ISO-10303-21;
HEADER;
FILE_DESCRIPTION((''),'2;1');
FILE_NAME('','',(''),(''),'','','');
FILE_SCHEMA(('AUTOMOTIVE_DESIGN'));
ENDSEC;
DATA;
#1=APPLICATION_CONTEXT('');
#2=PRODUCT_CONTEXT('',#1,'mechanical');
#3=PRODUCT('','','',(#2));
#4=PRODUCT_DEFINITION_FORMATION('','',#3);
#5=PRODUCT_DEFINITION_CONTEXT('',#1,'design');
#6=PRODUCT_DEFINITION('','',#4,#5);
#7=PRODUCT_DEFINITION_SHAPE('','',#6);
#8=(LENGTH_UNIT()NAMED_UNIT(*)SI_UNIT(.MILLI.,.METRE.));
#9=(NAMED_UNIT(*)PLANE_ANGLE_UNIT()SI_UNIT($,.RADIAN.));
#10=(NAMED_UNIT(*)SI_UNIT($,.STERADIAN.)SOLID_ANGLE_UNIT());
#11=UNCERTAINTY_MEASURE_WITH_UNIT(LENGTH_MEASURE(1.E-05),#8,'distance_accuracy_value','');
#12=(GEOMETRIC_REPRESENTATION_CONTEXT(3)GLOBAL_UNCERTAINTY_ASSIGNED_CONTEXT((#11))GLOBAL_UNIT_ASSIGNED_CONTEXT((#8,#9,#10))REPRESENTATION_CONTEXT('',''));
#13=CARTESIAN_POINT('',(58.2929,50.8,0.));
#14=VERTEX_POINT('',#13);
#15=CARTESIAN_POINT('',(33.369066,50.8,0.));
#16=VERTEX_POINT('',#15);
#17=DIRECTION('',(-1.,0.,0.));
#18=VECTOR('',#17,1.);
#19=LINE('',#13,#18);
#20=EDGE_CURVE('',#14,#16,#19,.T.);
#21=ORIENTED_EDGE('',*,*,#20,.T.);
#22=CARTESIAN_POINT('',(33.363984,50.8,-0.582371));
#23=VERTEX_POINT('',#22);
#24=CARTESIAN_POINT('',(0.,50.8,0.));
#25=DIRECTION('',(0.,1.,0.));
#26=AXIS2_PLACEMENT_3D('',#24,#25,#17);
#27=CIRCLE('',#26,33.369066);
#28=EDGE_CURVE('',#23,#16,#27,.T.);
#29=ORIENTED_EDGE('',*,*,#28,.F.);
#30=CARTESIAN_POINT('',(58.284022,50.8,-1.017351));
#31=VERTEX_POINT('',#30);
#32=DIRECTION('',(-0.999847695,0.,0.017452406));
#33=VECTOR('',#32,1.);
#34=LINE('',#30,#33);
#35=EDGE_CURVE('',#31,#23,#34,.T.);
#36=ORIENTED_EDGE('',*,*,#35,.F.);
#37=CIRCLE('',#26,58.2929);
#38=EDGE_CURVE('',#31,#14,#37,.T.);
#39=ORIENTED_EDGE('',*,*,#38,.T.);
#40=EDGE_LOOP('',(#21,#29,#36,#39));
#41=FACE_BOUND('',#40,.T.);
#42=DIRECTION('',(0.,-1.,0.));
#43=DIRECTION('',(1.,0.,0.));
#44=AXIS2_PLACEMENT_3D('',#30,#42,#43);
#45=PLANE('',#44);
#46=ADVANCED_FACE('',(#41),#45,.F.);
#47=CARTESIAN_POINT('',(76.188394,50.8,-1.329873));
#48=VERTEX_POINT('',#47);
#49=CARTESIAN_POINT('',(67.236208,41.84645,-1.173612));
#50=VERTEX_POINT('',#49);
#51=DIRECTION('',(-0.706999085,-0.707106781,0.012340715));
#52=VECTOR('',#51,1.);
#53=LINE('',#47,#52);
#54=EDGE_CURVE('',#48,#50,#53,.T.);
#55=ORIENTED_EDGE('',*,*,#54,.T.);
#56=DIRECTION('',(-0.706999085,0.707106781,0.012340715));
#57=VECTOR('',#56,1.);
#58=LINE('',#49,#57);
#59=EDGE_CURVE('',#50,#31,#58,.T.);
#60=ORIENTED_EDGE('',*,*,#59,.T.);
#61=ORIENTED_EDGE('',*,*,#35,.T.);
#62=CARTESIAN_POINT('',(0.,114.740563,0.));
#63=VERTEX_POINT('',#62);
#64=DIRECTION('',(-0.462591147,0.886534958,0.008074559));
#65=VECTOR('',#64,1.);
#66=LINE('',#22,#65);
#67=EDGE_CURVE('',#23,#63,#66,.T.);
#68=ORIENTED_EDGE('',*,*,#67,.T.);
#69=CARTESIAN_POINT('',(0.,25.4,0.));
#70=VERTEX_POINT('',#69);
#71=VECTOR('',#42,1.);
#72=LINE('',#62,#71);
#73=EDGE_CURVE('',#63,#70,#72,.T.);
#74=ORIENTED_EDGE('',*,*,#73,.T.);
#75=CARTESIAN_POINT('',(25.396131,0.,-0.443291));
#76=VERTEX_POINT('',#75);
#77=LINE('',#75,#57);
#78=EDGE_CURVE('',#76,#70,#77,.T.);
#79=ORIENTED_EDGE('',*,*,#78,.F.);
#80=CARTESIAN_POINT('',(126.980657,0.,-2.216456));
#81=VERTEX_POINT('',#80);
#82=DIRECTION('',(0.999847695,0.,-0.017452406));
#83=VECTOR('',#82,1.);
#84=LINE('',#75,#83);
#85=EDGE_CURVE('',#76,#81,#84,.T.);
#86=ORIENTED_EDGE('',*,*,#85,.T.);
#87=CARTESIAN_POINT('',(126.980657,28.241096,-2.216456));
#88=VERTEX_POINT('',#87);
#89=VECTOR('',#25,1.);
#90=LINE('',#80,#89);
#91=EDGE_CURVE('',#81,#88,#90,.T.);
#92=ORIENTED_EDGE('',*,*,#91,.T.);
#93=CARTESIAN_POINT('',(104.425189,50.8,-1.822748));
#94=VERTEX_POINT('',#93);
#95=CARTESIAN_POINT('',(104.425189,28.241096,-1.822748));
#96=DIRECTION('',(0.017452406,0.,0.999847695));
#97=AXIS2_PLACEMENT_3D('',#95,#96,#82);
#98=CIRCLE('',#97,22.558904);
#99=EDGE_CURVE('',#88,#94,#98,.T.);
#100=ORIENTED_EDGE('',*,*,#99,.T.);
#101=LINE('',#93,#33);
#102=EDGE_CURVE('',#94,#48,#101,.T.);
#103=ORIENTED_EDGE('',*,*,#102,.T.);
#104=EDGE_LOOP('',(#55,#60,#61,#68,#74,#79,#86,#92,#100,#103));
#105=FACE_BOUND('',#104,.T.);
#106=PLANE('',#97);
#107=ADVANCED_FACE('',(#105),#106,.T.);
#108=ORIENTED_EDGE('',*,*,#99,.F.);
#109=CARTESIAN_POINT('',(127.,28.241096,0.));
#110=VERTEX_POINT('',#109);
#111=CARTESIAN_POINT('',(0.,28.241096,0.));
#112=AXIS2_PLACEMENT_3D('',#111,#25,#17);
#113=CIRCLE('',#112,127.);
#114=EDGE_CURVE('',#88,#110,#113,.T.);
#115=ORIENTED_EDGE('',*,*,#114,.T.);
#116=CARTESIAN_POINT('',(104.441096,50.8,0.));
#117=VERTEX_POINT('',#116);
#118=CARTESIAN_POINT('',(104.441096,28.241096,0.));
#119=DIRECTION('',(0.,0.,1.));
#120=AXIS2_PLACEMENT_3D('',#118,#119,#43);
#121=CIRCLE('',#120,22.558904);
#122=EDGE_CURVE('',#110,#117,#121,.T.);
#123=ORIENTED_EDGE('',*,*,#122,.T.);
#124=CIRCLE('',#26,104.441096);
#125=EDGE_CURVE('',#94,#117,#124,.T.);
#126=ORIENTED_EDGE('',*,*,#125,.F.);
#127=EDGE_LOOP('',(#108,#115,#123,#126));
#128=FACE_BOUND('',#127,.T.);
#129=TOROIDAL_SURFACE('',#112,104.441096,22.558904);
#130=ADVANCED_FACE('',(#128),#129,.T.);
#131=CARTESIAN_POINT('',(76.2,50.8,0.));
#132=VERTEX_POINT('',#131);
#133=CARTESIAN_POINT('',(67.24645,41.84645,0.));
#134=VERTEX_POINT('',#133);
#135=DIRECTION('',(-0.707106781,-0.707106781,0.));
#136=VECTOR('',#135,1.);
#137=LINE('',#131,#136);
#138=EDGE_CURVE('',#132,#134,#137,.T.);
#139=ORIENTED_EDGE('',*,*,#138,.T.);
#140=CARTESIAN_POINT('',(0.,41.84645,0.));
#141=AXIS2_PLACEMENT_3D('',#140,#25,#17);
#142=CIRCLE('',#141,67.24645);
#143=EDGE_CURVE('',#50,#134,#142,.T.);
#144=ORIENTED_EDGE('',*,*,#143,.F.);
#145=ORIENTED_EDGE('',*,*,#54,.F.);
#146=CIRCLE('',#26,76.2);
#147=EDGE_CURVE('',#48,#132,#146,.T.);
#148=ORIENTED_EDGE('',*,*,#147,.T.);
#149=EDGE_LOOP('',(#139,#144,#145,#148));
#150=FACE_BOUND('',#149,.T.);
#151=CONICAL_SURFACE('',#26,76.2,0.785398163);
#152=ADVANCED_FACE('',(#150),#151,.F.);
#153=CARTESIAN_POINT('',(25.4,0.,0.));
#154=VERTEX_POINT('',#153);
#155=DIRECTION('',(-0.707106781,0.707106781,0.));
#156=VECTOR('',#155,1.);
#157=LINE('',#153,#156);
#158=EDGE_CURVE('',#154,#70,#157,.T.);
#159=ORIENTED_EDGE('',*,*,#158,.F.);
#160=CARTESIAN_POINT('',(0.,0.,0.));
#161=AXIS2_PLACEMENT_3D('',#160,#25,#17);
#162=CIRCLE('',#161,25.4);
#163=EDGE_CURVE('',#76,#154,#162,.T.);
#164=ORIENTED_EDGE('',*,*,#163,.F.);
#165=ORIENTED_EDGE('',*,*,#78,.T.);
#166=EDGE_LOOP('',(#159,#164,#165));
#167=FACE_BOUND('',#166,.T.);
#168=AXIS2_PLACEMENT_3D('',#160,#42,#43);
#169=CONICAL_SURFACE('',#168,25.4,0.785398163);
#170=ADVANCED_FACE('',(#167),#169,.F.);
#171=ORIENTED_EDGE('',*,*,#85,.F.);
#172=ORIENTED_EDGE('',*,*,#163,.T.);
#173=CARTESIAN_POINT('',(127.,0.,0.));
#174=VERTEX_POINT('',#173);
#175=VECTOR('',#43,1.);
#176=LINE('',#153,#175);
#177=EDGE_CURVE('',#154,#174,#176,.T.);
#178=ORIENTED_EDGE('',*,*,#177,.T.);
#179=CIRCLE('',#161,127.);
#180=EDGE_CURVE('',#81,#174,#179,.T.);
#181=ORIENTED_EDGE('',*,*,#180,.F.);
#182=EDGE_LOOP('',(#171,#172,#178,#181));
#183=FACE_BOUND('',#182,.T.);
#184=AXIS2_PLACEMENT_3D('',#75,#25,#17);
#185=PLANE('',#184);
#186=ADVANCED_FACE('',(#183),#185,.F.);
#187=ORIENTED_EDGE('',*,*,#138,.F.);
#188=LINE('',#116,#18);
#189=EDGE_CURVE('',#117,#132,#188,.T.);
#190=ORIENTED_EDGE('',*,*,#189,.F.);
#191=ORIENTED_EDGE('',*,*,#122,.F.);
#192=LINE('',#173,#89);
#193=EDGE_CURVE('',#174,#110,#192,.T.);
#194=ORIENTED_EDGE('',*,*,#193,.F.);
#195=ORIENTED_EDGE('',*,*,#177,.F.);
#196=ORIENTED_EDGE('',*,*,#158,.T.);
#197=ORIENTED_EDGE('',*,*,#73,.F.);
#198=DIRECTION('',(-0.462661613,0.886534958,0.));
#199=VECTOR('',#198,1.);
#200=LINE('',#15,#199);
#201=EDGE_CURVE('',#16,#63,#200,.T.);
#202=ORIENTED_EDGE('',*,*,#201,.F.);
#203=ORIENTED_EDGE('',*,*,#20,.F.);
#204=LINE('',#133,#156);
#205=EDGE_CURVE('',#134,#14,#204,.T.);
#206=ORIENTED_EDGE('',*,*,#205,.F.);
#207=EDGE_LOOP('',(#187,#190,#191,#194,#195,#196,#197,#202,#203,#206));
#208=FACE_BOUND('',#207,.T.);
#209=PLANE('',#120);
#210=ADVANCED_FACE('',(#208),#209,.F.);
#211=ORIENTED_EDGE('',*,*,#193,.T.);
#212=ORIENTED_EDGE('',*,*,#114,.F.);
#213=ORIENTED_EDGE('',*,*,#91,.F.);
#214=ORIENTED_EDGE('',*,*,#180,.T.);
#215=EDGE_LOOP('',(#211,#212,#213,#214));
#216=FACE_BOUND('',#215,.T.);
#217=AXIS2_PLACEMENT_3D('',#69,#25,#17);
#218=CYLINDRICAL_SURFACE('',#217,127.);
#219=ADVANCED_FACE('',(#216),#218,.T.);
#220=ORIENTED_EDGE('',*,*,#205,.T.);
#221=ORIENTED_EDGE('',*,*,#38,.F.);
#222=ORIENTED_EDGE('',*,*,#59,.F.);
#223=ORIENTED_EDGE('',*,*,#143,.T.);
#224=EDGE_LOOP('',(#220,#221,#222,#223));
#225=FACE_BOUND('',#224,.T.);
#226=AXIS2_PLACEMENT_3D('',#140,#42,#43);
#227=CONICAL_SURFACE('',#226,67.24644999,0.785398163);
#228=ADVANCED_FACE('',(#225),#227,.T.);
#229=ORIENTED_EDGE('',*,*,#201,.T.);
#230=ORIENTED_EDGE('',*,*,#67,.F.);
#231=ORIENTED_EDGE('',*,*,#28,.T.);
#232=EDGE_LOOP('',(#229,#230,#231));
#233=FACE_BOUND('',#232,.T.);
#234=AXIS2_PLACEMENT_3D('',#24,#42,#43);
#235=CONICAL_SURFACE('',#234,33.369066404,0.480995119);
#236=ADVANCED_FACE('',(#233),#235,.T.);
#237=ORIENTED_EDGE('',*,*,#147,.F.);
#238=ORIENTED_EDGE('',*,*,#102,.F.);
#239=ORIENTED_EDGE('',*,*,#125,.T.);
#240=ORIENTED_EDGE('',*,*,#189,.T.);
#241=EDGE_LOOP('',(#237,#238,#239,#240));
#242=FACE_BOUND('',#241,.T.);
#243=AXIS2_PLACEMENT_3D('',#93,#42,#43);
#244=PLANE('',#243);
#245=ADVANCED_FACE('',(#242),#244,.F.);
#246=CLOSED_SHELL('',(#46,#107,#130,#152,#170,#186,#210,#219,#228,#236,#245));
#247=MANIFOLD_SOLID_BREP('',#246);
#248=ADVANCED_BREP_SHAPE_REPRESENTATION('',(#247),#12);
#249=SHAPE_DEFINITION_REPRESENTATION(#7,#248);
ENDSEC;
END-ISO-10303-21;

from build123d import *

# Parameters (mm, degrees)
REVOLVE3_ANGLE = 359


with BuildPart() as part:
    # Sketch1 → Revolve3 (revolve)
    with BuildSketch(Plane.XY):
        with BuildLine():
            Line((25.4, 0), (0, 25.4))
            Line((0, 25.4), (0, 114.740562784))
            Line((0, 114.740562784), (33.369066404, 50.8))
            Line((33.369066404, 50.8), (58.29289998, 50.8))
            Line((58.29289998, 50.8), (67.24644999, 41.84644999))
            Line((67.24644999, 41.84644999), (76.2, 50.8))
            Line((76.2, 50.8), (104.441096188, 50.8))
            ThreePointArc((104.441096188, 50.8), (120.39265005, 44.19265005), (127, 28.241096188))
            Line((127, 28.241096188), (127, 0))
            Line((127, 0), (25.4, 0))
        make_face()
    revolve(axis=Axis((0, 25.4, 0), (0, -1, 0)), revolution_arc=REVOLVE3_ANGLE)


solid = part.part
